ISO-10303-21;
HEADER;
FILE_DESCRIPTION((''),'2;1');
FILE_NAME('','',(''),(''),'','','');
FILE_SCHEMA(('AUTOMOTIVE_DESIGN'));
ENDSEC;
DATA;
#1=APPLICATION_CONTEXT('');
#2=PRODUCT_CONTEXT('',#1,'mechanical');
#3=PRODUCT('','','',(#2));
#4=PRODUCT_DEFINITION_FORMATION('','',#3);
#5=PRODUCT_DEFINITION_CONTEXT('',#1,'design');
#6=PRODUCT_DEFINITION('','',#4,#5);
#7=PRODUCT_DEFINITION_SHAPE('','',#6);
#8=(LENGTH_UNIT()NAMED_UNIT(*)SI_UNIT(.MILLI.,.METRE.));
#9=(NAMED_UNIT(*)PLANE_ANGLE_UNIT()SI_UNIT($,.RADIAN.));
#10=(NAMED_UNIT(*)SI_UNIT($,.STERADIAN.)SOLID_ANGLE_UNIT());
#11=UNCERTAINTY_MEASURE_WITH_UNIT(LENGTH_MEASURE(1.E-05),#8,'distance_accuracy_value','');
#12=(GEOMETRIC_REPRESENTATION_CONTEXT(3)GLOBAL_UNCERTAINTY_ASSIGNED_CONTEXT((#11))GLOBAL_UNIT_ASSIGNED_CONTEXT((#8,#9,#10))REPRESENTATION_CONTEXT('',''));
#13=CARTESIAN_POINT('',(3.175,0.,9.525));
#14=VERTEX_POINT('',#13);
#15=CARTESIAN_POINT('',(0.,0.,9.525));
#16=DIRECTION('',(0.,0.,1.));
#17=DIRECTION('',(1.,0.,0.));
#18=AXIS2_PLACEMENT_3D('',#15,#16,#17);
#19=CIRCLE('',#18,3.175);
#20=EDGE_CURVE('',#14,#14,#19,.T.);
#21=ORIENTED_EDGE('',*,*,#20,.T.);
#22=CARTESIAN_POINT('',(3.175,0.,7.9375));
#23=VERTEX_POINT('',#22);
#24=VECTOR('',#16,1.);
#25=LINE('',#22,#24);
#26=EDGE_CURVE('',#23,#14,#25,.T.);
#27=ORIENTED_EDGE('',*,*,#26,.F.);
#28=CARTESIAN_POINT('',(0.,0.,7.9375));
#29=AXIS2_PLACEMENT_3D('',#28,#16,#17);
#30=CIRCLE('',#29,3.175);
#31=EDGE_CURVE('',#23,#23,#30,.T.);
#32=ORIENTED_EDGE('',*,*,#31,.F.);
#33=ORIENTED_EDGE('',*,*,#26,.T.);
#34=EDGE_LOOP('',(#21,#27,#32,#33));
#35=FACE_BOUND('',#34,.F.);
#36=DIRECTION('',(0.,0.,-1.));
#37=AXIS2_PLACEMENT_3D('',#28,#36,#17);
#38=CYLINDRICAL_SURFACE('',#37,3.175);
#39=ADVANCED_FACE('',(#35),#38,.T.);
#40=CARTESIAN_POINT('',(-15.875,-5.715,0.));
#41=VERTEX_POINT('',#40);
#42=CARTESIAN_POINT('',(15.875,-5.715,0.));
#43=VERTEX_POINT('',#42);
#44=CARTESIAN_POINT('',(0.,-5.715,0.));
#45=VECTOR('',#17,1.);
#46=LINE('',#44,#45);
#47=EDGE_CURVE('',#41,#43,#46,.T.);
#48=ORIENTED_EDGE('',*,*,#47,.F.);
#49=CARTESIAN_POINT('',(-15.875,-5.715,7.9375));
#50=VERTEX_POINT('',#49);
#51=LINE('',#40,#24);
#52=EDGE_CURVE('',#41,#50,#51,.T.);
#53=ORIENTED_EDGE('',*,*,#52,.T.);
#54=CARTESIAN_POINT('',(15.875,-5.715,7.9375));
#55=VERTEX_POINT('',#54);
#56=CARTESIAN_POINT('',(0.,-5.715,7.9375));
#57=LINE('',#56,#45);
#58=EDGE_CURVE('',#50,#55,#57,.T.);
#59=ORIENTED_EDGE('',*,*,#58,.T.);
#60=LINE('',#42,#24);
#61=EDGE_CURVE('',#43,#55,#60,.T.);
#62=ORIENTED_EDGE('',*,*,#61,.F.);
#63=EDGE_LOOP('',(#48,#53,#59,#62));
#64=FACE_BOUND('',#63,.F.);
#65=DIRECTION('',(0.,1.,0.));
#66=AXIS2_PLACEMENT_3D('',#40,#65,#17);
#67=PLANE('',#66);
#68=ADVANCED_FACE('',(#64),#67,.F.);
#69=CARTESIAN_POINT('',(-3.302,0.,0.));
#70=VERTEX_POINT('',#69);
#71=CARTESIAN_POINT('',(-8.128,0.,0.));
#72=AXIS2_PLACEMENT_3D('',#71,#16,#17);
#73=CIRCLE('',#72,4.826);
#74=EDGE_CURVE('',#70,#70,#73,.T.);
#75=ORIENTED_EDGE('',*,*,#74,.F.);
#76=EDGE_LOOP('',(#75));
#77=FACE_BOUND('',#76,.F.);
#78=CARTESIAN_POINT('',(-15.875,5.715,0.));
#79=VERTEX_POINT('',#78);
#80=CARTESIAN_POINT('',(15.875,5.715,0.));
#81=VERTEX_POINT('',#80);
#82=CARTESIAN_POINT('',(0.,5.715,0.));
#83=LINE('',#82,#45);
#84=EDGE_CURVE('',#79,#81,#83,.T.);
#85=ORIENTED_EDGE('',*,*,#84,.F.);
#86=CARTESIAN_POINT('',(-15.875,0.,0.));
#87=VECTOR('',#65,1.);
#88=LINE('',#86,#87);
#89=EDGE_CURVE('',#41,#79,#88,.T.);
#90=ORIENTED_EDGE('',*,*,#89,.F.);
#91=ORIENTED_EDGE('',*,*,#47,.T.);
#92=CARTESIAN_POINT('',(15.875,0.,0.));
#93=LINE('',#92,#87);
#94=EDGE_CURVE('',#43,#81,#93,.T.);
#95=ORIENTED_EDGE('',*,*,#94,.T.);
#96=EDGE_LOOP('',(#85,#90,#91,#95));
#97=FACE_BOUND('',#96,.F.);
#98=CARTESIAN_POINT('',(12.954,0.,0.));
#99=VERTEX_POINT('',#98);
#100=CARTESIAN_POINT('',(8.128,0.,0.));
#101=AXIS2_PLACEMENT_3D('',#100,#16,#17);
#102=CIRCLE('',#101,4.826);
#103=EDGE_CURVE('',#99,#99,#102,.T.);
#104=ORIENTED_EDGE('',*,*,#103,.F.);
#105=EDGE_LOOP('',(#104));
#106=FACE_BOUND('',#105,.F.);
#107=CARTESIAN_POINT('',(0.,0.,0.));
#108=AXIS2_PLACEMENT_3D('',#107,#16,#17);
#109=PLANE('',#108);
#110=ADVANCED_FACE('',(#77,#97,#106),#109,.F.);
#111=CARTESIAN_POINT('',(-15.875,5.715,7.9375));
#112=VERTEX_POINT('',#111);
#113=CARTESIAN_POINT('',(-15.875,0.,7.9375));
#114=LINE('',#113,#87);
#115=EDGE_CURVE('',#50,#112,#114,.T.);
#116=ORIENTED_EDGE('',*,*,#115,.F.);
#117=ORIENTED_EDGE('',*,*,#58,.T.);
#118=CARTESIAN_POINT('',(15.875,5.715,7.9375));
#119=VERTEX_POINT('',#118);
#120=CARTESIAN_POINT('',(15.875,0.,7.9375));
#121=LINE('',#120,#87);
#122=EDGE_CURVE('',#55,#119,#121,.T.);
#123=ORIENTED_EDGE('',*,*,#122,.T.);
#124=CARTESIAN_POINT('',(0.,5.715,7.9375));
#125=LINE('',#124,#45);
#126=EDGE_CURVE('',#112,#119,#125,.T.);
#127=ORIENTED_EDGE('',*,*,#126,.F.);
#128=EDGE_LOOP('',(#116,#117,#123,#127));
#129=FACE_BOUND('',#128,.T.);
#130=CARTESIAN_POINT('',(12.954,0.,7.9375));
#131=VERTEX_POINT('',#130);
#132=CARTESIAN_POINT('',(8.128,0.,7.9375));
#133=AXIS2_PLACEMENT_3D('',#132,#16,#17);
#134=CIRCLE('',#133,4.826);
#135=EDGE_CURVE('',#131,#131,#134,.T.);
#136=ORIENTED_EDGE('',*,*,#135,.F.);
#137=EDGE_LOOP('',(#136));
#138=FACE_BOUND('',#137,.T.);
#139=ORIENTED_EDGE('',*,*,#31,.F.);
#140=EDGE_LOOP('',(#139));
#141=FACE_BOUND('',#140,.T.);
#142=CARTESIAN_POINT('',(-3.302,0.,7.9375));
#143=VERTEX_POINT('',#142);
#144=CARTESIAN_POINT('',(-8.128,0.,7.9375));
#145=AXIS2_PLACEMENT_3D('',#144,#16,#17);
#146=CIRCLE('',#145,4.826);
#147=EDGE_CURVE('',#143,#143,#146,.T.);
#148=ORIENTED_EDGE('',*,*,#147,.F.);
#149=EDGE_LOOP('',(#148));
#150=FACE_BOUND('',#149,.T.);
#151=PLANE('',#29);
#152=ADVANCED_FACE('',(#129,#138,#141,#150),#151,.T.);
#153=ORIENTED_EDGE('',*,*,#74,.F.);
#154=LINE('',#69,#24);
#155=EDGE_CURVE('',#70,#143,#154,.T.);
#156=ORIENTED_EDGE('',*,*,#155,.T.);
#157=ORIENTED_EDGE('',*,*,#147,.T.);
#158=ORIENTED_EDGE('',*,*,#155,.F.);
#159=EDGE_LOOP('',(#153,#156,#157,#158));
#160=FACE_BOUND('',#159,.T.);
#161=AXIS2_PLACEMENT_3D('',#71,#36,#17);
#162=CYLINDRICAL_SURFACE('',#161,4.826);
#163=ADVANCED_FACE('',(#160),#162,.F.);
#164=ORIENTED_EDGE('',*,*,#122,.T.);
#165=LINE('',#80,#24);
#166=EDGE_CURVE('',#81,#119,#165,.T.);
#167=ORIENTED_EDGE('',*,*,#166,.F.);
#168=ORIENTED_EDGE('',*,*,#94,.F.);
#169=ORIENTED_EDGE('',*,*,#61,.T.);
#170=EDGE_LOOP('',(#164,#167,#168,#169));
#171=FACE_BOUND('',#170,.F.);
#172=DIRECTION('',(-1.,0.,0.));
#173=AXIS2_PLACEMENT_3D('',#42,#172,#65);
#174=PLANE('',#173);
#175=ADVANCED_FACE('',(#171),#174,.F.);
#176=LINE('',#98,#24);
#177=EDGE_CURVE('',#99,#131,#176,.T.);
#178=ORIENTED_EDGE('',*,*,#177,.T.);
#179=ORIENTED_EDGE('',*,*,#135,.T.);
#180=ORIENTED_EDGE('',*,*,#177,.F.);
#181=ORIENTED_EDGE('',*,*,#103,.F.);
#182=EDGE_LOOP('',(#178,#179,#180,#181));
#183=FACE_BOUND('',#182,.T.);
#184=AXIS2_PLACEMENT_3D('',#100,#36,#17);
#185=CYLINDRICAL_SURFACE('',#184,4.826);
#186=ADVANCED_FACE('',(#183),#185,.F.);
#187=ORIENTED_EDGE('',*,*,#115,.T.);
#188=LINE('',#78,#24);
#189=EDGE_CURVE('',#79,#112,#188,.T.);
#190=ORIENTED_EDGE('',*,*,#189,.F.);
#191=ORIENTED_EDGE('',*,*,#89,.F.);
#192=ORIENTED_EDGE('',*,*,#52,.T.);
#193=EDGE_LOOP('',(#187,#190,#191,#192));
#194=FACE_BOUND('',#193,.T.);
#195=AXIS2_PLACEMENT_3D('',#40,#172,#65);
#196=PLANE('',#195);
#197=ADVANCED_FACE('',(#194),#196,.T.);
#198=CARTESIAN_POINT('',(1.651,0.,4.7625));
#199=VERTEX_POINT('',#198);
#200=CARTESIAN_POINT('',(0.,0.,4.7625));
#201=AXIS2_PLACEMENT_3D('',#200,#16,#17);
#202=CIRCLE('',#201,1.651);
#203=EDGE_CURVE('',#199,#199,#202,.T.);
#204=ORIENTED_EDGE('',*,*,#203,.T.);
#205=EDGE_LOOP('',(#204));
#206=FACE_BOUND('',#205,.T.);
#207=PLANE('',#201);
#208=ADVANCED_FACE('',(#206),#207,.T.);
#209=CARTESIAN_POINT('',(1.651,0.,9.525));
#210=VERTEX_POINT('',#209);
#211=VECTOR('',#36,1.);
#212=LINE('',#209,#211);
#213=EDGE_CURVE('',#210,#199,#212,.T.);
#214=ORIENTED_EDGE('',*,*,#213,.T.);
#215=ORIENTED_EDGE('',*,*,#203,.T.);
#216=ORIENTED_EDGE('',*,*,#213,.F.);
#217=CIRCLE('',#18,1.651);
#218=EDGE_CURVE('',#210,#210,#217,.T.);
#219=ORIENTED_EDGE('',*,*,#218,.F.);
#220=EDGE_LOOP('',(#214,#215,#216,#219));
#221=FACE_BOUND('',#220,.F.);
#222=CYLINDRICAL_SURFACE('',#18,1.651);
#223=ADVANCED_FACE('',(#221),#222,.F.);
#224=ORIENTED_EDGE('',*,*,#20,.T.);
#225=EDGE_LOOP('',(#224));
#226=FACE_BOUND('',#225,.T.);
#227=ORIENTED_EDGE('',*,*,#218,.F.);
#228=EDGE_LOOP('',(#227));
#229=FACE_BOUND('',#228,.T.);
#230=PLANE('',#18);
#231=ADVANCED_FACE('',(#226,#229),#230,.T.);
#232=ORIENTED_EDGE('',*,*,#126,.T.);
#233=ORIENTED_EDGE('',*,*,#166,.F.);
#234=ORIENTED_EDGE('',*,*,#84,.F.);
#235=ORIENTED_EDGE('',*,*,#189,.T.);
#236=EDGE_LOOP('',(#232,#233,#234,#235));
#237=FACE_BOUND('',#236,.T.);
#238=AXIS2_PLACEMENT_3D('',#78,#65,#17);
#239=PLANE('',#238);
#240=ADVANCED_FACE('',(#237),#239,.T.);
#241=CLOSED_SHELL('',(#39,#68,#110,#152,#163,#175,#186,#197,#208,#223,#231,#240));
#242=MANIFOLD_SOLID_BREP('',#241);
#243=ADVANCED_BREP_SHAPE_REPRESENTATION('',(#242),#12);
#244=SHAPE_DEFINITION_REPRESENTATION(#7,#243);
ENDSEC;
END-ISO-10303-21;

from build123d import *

# Parameters (mm, degrees)
F0_W     = 31.75
F0_H     = 11.43
F0_R     = 4.826
F1_DEPTH = 7.9375
F2_R     = 3.175
F3_DEPTH = 1.5875
F4_R     = 1.651
F5_DEPTH = 4.7625


with BuildPart() as f1:
    # F0 (on Top) → F1 (new body)
    with BuildSketch(Plane.XY):
        Rectangle(F0_W, F0_H)
        with Locations((-8.128, 0)):
            Circle(F0_R, mode=Mode.SUBTRACT)
        with Locations((8.128, 0)):
            Circle(F0_R, mode=Mode.SUBTRACT)
    extrude(amount=F1_DEPTH)

    # F2 (on face) → F3 (join)
    with BuildSketch(Plane.XY.offset(7.9375)):
        Circle(F2_R)
    extrude(amount=F3_DEPTH)

    # F4 (on face) → F5 (cut)
    with BuildSketch(Plane.XY.offset(9.525)):
        Circle(F4_R)
    extrude(amount=-F5_DEPTH, mode=Mode.SUBTRACT)


solid = f1.part
